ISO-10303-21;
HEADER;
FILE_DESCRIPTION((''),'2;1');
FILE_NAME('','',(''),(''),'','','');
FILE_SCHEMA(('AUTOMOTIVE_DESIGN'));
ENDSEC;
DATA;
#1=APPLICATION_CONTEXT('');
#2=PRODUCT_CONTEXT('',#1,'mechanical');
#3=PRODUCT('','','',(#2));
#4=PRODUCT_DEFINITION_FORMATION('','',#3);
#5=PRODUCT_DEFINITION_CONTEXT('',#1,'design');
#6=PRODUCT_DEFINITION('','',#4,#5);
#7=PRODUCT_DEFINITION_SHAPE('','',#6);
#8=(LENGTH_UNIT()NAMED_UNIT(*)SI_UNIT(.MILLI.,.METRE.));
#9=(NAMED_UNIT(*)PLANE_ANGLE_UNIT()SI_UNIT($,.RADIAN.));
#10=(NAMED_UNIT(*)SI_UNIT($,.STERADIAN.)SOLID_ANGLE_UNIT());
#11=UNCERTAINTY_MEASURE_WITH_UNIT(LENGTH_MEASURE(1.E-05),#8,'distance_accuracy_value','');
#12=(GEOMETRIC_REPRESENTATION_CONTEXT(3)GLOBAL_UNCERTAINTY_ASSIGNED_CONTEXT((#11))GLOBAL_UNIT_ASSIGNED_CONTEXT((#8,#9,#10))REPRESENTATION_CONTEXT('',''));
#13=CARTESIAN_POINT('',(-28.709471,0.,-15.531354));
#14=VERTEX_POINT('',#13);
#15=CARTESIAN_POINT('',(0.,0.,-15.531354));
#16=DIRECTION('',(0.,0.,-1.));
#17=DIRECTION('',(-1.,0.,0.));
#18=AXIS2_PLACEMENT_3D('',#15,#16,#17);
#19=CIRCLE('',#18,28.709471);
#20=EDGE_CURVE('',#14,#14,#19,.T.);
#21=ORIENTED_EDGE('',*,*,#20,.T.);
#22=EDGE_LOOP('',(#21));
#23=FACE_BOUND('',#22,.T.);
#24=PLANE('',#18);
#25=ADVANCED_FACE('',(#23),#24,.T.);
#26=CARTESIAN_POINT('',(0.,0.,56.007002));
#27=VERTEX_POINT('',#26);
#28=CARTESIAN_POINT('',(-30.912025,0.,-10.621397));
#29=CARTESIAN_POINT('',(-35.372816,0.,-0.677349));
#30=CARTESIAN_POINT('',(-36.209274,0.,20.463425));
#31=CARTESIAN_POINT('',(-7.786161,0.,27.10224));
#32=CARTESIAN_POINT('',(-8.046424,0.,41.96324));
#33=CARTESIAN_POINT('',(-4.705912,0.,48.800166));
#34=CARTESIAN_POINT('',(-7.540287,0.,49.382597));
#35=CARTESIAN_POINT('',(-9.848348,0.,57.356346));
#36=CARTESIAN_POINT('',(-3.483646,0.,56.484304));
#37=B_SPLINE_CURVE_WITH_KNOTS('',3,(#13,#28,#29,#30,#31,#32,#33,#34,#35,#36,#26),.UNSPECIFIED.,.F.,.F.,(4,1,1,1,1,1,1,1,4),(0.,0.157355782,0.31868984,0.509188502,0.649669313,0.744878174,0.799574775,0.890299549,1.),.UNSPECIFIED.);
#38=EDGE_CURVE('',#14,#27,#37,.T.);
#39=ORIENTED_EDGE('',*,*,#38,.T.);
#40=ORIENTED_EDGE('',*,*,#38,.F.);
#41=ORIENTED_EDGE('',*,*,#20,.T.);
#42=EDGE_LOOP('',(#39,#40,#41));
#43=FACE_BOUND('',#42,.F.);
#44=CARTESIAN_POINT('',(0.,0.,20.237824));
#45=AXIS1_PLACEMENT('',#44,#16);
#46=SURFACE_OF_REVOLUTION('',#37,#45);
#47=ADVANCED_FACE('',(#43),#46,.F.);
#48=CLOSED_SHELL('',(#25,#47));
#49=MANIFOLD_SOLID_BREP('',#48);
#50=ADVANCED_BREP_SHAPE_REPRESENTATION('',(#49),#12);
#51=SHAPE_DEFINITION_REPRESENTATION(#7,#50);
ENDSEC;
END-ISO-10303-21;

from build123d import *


with BuildPart() as f2:
    # F1 (on Front) → F2 (revolve)
    with BuildSketch(Plane.XZ):
        with BuildLine():
            Line((-28.7094712257, -15.5313536525), (0, -15.5313536525))
            Line((0, -15.5313536525), (0, 56.007001549))
            add(Edge.make_bspline(
                [(-28.7094712257, -15.5313536525), (-30.9120245044, -10.6213967236), (-35.3728161137, -0.6773491122), (-36.2092741191, 20.4634252317), (-7.7861605704, 27.102239585), (-8.0464236471, 41.9632401952), (-4.705911804, 48.8001655763), (-7.5402865502, 49.3825966664), (-9.8483477147, 57.356346029), (-3.4836463658, 56.4843038468), (0, 56.007001549)],
                knots=[0, 0, 0, 0, 0.1573557822, 0.3186898405, 0.509188502, 0.6496693125, 0.7448781737, 0.7995747747, 0.8902995491, 1, 1, 1, 1], degree=3))
        make_face()
    revolve(axis=Axis((0, 0, 20.2378239483), (0, 0, -1)))


solid = f2.part
